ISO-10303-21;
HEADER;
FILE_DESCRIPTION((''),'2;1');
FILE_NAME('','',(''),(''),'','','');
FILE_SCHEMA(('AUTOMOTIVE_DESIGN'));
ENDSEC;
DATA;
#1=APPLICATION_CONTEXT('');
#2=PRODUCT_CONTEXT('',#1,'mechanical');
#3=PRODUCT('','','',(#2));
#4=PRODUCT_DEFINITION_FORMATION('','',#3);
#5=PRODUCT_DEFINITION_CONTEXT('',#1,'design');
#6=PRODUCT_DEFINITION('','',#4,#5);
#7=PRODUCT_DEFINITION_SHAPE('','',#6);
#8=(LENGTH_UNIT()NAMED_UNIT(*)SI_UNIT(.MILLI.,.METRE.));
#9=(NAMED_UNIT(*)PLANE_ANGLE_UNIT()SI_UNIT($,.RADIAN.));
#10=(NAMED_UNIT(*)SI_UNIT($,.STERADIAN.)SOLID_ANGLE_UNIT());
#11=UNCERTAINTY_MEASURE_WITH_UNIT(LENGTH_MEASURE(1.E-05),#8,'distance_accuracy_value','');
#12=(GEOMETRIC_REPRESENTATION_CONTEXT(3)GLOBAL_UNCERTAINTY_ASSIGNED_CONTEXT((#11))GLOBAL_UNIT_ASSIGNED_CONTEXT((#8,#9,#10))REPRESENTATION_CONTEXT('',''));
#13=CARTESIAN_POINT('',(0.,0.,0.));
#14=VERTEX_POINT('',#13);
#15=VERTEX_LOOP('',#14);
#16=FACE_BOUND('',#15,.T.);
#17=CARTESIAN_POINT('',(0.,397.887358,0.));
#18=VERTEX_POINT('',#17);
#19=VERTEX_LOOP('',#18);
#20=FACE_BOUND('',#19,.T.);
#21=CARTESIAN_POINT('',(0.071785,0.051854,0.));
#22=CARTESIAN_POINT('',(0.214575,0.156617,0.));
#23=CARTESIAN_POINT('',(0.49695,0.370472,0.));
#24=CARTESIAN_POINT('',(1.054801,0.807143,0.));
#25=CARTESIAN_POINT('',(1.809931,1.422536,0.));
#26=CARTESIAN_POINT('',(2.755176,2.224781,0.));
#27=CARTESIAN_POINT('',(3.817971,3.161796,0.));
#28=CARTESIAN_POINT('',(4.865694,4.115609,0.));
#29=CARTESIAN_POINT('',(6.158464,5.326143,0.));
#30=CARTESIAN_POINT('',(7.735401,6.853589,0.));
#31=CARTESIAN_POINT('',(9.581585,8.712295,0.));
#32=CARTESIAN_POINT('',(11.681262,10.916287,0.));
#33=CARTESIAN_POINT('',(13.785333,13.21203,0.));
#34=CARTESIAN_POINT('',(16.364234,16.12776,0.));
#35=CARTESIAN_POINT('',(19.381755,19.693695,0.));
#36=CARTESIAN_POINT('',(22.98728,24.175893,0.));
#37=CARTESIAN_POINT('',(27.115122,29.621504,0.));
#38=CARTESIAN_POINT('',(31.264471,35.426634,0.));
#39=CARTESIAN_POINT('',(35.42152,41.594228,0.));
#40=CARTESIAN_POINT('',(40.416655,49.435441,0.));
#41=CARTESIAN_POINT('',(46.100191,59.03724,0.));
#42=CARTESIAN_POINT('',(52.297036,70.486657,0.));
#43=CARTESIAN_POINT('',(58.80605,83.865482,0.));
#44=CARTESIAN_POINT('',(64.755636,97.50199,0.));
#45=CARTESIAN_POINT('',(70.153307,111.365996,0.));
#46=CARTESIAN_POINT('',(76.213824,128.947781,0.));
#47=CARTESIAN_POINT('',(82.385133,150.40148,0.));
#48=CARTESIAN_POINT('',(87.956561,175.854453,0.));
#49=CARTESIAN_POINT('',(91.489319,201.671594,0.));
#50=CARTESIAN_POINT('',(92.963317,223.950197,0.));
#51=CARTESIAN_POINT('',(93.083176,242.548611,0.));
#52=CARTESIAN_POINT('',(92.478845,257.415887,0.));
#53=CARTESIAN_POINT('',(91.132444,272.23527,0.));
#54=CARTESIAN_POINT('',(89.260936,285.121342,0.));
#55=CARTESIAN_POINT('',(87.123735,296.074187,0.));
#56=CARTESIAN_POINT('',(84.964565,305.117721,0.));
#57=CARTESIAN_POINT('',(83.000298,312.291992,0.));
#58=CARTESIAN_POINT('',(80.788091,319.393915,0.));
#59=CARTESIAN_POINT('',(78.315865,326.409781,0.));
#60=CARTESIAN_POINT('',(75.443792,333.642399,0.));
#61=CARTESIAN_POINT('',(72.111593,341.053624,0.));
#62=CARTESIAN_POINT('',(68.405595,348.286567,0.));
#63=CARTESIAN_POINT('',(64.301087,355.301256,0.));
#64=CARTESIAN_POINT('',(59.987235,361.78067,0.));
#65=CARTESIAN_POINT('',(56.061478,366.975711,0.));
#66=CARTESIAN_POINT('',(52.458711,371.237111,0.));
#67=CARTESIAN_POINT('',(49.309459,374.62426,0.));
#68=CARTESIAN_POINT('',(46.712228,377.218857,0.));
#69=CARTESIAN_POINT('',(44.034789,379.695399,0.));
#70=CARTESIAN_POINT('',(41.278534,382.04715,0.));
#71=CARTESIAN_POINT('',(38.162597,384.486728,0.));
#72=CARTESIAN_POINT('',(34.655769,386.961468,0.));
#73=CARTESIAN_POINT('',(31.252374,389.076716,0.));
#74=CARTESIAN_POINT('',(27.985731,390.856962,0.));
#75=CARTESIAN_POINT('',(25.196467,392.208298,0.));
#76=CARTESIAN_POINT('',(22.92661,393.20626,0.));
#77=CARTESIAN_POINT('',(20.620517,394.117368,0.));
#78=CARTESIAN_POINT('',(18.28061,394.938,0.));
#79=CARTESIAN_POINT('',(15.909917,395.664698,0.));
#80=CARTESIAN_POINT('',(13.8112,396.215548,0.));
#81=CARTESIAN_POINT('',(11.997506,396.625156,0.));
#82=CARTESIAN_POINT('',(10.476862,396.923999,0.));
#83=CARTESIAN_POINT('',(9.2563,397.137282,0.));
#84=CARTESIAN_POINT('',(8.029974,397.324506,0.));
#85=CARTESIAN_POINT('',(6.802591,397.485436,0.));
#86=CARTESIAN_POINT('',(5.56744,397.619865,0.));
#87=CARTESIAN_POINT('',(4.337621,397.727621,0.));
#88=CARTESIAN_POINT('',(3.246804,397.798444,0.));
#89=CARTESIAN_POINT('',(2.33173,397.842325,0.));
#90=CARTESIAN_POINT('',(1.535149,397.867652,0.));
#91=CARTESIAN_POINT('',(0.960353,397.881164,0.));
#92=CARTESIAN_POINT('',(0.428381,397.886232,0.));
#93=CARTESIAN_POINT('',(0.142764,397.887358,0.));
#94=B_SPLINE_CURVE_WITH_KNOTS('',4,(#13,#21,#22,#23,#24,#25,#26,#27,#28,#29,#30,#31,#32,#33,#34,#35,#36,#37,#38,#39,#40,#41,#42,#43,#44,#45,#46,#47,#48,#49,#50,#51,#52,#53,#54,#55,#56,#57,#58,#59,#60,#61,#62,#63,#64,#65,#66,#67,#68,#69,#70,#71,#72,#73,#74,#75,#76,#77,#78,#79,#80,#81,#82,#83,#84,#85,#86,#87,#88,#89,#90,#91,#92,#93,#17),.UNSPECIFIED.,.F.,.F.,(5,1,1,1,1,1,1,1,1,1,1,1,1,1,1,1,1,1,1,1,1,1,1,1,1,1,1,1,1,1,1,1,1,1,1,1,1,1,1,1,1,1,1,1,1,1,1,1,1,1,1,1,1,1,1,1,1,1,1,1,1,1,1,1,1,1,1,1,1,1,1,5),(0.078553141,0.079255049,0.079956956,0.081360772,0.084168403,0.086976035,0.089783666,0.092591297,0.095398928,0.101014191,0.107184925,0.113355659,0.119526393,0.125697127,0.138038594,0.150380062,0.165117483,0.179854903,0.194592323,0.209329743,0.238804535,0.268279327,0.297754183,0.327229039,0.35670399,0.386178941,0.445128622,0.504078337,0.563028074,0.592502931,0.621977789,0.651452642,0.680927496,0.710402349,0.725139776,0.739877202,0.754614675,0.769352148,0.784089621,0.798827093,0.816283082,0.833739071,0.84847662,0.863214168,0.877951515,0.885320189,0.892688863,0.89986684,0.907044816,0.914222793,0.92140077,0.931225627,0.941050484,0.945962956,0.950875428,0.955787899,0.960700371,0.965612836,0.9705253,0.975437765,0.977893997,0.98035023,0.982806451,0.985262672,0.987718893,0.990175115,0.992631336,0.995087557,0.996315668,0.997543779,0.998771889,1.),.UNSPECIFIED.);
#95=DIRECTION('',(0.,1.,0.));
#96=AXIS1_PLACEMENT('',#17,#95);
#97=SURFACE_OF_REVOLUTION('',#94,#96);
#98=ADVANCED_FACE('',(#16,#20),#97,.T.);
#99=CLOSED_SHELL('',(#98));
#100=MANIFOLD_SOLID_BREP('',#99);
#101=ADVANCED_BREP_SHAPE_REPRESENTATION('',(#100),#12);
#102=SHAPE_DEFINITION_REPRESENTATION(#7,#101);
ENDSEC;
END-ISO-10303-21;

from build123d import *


with BuildPart() as part:
    # Sketch → Revolve 2 (revolve)
    with BuildSketch(Plane.XY):
        with BuildLine():
            Line((0, 397.88735773), (0, 0))
            add(Edge.make_bspline(
                [(0, 397.88735773), (0.142763625, 397.88735773), (0.428381043, 397.886231566), (0.960353225, 397.88116383), (1.535148694, 397.867652102), (2.331730097, 397.842324597), (3.246803667, 397.798444417), (4.337620845, 397.727621056), (5.567439546, 397.619865455), (6.802590902, 397.485435789), (8.029973634, 397.324505894), (9.256300325, 397.137281541), (10.47686203, 396.923999318), (11.997505999, 396.625156484), (13.811199953, 396.215547728), (15.909917497, 395.664697671), (18.280610107, 394.937999999), (20.620516548, 394.117367993), (22.926610288, 393.206259601), (25.196467356, 392.208298174), (27.985731378, 390.856962272), (31.252374207, 389.076715527), (34.655769288, 386.961468043), (38.162597245, 384.486727713), (41.278533823, 382.047149864), (44.03478943, 379.695399266), (46.712228243, 377.218856876), (49.309459025, 374.624260197), (52.458710603, 371.237111046), (56.061477594, 366.975711237), (59.987235037, 361.780670335), (64.301086928, 355.301256015), (68.405595265, 348.286566977), (72.111592664, 341.053624009), (75.443792469, 333.642399047), (78.315865157, 326.409780552), (80.788090559, 319.393915412), (83.000297793, 312.291991965), (84.964565187, 305.117720973), (87.123734603, 296.074187207), (89.260936231, 285.121341877), (91.13244365, 272.235269984), (92.478845353, 257.415887104), (93.083176306, 242.548610516), (92.963317475, 223.950196777), (91.489318872, 201.671593696), (87.95656127, 175.854453078), (82.385132936, 150.401479659), (76.213823763, 128.947781242), (70.153306593, 111.365996188), (64.755636395, 97.501990199), (58.806049893, 83.865481679), (52.29703594, 70.486657309), (46.100190521, 59.037239714), (40.416655336, 49.435441045), (35.421520285, 41.594228483), (31.264471127, 35.426633705), (27.115122499, 29.621503957), (22.987280347, 24.17589253), (19.381755066, 19.693695211), (16.364233569, 16.127759776), (13.785332758, 13.2120301), (11.681261568, 10.916286855), (9.581585473, 8.712295168), (7.735401238, 6.853589255), (6.158464047, 5.326143446), (4.865693859, 4.115609031), (3.817971372, 3.161796244), (2.75517559, 2.224780921), (1.809931471, 1.422536288), (1.054801178, 0.807143191), (0.496950104, 0.370472016), (0.214574658, 0.156617176), (0.07178537, 0.051854083), (0, 0)],
                knots=[0.078553141, 0.078553141, 0.078553141, 0.078553141, 0.078553141, 0.079781251, 0.081009362, 0.082237473, 0.083465583, 0.085921805, 0.088378026, 0.090834247, 0.093290469, 0.09574669, 0.098202911, 0.100659143, 0.103115376, 0.10802784, 0.112940305, 0.11785277, 0.122765241, 0.127677713, 0.132590185, 0.137502657, 0.147327514, 0.157152371, 0.164330348, 0.171508324, 0.178686301, 0.185864278, 0.193232952, 0.200601625, 0.215338973, 0.230076521, 0.24481407, 0.262270059, 0.279726047, 0.29446352, 0.309200993, 0.323938466, 0.338675938, 0.353413365, 0.368150792, 0.397625645, 0.427100499, 0.456575352, 0.486050209, 0.515525067, 0.574474804, 0.633424519, 0.6923742, 0.721849151, 0.751324101, 0.780798958, 0.810273814, 0.839748606, 0.869223397, 0.883960818, 0.898698238, 0.913435658, 0.928173078, 0.940514546, 0.952856014, 0.959026748, 0.965197482, 0.971368216, 0.97753895, 0.983154212, 0.985961844, 0.988769475, 0.991577106, 0.994384737, 0.997192369, 0.998596184, 0.999298092, 1, 1, 1, 1, 1], degree=4))
        make_face()
    revolve(axis=Axis((0, 397.88735773, 0), (0, -1, 0)))


solid = part.part
